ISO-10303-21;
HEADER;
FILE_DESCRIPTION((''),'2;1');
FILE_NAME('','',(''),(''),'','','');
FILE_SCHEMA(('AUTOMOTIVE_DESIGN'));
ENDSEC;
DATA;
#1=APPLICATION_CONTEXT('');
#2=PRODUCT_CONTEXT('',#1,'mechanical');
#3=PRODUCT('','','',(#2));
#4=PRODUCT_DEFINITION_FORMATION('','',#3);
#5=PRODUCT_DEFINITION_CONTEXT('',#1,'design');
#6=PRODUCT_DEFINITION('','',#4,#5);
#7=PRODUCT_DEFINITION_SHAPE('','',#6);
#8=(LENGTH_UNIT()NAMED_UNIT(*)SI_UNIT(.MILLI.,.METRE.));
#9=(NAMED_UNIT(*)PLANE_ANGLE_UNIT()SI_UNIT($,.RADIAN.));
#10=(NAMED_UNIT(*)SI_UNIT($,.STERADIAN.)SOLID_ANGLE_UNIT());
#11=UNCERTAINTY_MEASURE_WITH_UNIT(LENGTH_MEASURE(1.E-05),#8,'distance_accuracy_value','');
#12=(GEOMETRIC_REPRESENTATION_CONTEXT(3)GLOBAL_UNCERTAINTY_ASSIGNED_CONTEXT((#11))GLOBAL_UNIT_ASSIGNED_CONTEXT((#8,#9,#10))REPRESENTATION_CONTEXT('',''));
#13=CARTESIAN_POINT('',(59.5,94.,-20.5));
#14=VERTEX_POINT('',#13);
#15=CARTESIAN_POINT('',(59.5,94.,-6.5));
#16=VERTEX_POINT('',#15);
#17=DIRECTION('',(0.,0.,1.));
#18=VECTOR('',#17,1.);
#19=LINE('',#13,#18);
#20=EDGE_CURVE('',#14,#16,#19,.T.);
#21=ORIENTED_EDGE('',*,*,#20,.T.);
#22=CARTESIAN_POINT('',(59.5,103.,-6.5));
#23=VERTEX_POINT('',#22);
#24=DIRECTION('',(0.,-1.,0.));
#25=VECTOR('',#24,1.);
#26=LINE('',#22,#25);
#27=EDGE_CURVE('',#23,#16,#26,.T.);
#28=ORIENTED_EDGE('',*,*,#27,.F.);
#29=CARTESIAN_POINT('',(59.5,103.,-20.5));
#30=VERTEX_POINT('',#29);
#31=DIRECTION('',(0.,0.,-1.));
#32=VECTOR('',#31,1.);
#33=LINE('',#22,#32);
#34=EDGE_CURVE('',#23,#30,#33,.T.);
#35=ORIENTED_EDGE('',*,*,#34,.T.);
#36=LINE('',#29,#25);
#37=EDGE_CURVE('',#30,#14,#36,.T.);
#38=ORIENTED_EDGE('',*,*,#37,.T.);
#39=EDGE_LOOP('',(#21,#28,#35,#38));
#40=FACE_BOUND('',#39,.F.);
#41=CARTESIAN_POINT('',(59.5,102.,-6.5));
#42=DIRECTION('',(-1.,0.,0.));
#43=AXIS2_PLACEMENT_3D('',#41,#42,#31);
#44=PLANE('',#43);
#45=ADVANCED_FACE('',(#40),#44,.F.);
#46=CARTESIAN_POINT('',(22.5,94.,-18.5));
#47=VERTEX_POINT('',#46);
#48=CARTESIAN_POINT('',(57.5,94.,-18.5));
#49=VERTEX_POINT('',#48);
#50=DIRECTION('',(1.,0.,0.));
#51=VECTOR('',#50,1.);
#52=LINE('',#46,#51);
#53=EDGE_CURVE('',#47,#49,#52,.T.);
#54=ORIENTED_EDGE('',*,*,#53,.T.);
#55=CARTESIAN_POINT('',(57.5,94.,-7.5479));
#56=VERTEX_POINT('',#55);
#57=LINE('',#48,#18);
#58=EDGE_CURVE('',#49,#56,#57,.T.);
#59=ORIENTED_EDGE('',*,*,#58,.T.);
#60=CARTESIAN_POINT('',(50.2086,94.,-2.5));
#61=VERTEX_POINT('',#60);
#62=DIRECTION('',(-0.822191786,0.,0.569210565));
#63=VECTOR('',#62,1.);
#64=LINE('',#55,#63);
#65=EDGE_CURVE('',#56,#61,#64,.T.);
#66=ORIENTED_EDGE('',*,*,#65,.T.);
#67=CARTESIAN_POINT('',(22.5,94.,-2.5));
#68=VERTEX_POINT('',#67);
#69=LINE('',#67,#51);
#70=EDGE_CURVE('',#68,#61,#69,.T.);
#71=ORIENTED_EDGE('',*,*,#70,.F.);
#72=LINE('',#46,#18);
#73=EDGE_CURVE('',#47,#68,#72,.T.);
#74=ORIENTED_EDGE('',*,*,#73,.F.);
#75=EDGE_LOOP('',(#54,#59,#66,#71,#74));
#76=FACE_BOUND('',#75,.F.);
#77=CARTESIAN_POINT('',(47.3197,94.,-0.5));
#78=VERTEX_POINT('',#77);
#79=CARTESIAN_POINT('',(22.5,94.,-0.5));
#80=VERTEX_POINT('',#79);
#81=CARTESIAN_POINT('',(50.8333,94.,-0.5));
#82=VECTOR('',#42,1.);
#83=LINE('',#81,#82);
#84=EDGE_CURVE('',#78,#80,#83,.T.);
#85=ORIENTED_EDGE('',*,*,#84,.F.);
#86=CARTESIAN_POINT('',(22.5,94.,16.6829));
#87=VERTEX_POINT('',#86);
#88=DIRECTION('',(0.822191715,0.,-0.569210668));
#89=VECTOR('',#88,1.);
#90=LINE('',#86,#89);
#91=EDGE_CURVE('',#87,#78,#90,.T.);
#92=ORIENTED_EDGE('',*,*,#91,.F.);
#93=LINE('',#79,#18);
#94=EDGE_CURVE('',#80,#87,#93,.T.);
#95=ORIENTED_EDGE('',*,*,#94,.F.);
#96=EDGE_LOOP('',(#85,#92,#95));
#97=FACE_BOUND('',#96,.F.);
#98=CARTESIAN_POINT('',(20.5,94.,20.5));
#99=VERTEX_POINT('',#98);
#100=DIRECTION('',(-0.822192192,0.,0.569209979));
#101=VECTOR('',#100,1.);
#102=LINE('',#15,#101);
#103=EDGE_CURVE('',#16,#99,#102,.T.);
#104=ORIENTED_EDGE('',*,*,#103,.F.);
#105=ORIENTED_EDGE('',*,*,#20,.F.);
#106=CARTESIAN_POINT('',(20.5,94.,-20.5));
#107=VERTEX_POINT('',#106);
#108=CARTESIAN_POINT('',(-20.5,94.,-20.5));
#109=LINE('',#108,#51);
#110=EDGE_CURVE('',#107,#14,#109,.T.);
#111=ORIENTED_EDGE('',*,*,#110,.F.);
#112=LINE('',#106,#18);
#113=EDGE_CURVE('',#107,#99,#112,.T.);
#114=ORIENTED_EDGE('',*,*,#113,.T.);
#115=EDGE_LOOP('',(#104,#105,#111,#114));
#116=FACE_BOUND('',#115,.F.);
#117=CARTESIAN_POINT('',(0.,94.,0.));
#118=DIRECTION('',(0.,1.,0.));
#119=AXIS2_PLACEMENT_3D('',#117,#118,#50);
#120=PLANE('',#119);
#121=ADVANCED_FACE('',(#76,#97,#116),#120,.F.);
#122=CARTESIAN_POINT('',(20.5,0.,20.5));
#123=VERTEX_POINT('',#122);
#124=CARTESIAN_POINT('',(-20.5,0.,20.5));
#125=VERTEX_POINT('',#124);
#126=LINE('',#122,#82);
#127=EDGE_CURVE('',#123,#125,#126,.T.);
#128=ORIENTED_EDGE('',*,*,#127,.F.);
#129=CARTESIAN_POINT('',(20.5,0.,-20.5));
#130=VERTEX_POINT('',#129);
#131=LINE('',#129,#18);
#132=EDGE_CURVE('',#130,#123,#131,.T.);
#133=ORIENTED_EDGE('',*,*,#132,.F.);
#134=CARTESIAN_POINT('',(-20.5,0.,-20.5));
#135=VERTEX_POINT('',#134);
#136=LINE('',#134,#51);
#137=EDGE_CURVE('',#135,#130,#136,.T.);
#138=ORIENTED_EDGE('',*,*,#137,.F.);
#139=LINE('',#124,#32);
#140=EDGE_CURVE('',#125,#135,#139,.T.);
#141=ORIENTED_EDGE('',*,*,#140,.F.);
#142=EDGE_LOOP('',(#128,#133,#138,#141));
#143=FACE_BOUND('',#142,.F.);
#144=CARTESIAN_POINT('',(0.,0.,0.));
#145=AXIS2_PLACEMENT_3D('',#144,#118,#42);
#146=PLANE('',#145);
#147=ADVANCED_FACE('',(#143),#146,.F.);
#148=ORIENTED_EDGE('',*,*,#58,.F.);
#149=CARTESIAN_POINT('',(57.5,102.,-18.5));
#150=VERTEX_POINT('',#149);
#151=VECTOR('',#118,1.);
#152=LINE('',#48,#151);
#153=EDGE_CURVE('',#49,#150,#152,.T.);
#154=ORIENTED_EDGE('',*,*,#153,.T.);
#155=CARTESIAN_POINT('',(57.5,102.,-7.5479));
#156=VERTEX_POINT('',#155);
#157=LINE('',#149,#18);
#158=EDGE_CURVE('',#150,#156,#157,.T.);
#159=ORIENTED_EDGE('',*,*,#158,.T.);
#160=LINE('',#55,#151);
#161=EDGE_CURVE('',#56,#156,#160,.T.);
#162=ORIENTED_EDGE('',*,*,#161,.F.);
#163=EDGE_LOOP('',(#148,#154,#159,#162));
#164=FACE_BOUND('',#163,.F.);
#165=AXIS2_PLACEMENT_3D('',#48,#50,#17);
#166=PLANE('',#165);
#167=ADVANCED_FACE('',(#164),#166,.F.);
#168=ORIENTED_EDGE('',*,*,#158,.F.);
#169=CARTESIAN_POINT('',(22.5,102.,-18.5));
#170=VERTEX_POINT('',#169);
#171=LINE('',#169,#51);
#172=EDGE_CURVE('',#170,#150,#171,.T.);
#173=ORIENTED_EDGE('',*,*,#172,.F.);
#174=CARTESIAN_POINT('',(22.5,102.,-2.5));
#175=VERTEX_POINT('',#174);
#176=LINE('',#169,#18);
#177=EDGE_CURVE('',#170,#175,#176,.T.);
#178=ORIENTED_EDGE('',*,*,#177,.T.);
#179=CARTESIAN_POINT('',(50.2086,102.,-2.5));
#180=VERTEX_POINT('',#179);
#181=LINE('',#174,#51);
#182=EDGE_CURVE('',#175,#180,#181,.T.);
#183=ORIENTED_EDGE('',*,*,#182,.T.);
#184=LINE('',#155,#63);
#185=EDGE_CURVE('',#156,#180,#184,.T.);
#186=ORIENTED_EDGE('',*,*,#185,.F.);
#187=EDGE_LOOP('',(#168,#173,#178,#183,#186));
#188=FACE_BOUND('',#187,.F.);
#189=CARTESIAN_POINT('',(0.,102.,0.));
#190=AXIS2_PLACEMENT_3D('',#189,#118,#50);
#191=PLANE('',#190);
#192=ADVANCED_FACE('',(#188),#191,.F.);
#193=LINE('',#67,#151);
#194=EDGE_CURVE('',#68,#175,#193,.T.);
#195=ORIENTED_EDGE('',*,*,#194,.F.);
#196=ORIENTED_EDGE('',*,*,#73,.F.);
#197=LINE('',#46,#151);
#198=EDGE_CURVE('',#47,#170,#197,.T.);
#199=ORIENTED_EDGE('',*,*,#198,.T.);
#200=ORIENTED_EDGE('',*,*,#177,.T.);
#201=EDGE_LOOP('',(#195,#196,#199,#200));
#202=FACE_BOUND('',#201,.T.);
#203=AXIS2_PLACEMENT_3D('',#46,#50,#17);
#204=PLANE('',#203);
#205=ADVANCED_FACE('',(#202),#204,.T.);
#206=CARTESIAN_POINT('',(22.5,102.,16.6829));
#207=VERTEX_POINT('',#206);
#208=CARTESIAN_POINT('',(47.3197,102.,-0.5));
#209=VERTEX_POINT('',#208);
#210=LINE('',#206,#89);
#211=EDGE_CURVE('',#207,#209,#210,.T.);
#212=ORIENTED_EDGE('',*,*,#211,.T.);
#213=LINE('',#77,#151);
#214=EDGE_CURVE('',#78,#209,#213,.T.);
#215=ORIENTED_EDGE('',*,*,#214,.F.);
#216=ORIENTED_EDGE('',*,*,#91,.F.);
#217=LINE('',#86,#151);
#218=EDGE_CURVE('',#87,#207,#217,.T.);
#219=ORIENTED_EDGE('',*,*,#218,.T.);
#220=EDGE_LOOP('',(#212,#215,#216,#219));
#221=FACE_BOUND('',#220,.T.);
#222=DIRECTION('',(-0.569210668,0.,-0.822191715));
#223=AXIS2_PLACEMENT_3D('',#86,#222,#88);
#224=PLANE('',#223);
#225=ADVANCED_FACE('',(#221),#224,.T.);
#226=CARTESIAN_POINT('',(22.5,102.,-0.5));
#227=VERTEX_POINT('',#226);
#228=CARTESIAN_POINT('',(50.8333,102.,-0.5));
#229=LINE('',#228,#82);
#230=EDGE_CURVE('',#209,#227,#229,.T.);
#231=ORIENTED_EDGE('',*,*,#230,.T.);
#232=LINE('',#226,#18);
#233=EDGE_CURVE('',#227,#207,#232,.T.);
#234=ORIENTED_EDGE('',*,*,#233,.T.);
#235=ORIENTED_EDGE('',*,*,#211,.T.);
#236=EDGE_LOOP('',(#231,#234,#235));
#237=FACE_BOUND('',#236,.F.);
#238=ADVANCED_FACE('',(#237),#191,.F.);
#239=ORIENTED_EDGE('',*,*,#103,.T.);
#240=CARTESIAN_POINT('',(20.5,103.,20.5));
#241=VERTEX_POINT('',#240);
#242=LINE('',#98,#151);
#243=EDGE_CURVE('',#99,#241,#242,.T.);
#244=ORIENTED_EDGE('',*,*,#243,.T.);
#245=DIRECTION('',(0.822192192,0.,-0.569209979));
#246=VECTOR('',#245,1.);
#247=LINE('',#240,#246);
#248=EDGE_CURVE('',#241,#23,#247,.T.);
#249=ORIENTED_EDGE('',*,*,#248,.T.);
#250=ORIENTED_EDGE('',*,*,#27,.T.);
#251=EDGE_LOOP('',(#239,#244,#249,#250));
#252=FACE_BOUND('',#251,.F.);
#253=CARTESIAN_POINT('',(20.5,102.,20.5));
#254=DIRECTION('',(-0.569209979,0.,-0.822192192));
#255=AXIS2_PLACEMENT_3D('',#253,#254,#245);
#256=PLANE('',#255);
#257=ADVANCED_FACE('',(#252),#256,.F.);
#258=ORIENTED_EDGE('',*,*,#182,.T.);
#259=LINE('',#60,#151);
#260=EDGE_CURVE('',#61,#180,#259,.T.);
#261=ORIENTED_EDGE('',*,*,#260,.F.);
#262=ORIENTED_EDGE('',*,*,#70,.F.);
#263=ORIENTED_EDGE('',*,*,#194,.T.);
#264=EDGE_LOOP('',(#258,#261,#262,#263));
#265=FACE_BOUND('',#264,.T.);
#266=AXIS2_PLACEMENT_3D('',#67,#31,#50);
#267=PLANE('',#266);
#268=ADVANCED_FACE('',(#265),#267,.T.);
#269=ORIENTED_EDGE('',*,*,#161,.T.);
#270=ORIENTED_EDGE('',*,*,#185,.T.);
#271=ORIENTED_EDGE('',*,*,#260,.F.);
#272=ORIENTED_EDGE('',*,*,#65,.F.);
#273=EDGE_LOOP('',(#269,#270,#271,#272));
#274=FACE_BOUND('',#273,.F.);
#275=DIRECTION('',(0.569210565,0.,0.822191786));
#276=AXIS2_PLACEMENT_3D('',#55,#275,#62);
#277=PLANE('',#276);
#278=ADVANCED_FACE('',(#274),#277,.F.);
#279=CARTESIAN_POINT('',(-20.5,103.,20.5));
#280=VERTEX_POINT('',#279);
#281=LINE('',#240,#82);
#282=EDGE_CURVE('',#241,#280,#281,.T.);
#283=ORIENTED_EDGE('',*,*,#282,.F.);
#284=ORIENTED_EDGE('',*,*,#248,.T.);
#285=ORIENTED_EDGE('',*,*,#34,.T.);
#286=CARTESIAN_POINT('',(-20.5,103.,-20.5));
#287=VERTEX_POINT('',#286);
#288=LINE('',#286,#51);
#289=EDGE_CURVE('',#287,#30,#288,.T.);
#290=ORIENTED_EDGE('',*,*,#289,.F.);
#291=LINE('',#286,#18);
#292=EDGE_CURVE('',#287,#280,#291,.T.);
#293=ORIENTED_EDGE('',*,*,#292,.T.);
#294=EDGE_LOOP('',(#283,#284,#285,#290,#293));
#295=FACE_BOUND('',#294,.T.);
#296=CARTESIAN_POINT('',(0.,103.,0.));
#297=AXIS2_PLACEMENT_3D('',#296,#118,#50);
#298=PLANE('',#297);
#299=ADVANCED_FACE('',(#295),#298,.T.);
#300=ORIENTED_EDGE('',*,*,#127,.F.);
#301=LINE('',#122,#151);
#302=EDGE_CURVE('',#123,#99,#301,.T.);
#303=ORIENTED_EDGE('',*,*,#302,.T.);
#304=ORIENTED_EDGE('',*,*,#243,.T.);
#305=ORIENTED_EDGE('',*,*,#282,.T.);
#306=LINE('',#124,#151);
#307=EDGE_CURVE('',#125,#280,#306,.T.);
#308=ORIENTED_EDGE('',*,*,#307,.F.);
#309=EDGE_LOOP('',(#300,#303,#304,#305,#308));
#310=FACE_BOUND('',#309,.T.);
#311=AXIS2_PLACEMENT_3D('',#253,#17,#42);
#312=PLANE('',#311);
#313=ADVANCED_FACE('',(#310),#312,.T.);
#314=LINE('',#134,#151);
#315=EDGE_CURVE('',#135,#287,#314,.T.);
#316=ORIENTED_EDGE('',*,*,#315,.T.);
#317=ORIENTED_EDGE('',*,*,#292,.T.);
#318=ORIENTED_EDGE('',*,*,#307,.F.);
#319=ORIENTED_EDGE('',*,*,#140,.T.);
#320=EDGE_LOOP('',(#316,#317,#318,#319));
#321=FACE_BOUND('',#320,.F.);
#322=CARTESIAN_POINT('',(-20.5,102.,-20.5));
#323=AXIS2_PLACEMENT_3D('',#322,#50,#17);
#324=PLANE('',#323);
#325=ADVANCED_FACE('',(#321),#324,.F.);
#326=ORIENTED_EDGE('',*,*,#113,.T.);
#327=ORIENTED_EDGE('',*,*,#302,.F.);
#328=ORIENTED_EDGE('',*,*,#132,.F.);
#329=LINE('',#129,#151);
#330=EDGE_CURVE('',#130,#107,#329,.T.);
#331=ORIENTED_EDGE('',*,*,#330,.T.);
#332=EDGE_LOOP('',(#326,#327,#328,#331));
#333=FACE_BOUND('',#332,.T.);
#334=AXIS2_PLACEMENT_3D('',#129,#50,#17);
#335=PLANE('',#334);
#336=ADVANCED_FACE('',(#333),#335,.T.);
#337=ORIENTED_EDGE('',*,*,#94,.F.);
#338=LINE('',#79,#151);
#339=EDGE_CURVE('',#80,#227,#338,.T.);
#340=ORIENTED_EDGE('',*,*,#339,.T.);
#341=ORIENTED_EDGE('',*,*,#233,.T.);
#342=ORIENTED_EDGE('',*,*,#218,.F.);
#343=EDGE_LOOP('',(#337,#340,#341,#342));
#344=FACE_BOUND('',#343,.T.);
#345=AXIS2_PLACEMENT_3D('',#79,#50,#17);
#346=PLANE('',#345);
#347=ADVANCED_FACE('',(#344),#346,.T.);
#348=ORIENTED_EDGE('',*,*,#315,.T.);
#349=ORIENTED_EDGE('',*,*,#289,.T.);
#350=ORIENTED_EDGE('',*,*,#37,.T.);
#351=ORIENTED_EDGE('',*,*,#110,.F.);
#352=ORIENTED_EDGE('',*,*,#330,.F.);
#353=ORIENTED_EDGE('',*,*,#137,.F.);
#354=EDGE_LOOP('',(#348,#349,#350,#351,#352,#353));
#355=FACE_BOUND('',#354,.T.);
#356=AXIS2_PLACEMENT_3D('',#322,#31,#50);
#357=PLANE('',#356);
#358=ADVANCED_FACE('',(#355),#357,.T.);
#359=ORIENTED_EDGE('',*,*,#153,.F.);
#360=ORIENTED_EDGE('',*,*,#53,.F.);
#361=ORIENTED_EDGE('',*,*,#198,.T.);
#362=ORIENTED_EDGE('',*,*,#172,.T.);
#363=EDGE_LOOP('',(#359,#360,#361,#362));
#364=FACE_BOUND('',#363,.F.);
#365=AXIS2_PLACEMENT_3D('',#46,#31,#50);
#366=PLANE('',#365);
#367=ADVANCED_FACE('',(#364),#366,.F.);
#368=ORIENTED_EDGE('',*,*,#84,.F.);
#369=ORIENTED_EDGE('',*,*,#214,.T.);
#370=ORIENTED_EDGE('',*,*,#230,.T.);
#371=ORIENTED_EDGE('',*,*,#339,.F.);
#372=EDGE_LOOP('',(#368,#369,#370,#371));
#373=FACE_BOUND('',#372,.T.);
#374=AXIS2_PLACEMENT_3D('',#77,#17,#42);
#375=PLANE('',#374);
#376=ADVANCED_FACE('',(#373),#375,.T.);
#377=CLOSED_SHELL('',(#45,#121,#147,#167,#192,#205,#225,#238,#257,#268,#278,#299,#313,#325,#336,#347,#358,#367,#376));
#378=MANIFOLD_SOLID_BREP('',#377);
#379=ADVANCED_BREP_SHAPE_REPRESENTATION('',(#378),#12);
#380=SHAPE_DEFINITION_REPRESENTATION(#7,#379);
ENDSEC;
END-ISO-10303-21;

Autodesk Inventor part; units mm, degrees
ref_plane "YZ Plane" through (0, 0, 0) normal (1, 0, 0) x (0, 1, 0)
ref_plane "XZ Plane" through (0, 0, 0) normal (0, 1, 0) x (-1, 0, 0)
ref_plane "XY Plane" through (0, 0, 0) normal (0, 0, 1) x (1, 0, 0)
sketch "Boceto1" plane through (0, 0, 0) normal (0, 1, 0) x (-1, 0, 0)
  line L0 (20.5, -20.5) -> (-20.5, -20.5)
  line L1 (-20.5, -20.5) -> (-20.5, 20.5)
  line L2 (-20.5, 20.5) -> (20.5, 20.5)
  line L3 (20.5, 20.5) -> (20.5, -20.5)
  point P0 (0, 0)
  point P1 (0, -20.5)
  point P2 (-20.5, 0)
  dimension "d0" = 41
  dimension "d1" = 41
extrude "Extrusión1" add sketch "Boceto1" along normal blind 94
sketch "Boceto2" plane through (0, 94, 0) normal (0, 1, 0) x (1, 0, 0)
  line L0 (20.5, 20.5) -> (-20.5, 20.5) projected
  line L1 (-20.5, 20.5) -> (59.5, 20.5)
  line L2 (59.5, 20.5) -> (59.5, 6.5)
  line L3 (-20.5, -20.5) -> (20.5, -20.5) projected
  line L4 (59.5, 6.5) -> (20.5, -20.5)
  line L5 (20.5, -20.5) -> (20.5, 20.5) projected
  line L6 (50.8333, 0.5) -> (20.5, 0.5)
  line L7 (22.5, 18.5) -> (57.5, 18.5)
  line L8 (57.5, 18.5) -> (57.5, 7.5479)
  line L9 (57.5, 7.5479) -> (50.2086, 2.5)
  line L10 (22.5, 18.5) -> (22.5, 2.5)
  line L11 (22.5, 2.5) -> (50.2086, 2.5)
  line L12 (22.5, 0.5) -> (22.5, -16.6829)
  line L13 (22.5, -16.6829) -> (47.3197, 0.5)
  point P0 (0, 0)
  point P1 (36.3543, 2.5)
  dimension "d4" = 80
  dimension "d5" = 14
  dimension "d9" = 2
  dimension "d10" = 2
  dimension "d11" = 2
  dimension "d12" = 2
  dimension "d13" = 2
  dimension "d20" = 5.0479
extrude "Extrusión2" add sketch "Boceto2" along normal blind 8 contours L1 L2 L4 L6 L5 | L6 L12 L13 L4 L5
sketch "Boceto3" plane through (0, 94, 0) normal (0, 1, 0) x (1, 0, 0)
  line L0 (-20.5, 20.5) -> (-20.5, -20.5) projected
  line L1 (20.5, -20.5) -> (59.5, 6.5) projected
  line L2 (-20.5, 20.5) -> (20.5, 20.5)
  line L3 (20.5, 20.5) -> (20.5, -20.5)
  line L4 (20.5, -20.5) -> (-20.5, -20.5)
  line L5 (-20.5, -20.5) -> (-20.5, 20.5)
  point P0 (0, 0)
extrude "Extrusión3" add sketch "Boceto3" along normal blind 8
sketch "Boceto4" plane through (0, 102, 0) normal (0, 1, 0) x (1, 0, 0)
  point P0 (0, 0)
sketch "Boceto6" plane through (0, 102, 0) normal (0, 1, 0) x (1, 0, 0)
  line L0 (-20.5, 20.5) -> (-20.5, -20.5) projected
  line L1 (59.5, 6.5) -> (59.5, 20.5) projected
  line L2 (-20.5, 20.5) -> (59.5, 20.5)
  line L3 (59.5, 20.5) -> (59.5, 6.5)
  line L4 (20.5, -20.5) -> (59.5, 6.5) projected
  line L5 (59.5, 6.5) -> (20.5, -20.5)
  line L6 (20.5, -20.5) -> (-20.5, -20.5)
  line L7 (-20.5, -20.5) -> (-20.5, 20.5)
  point P0 (0, 0)
extrude "Extrusión5" add sketch "Boceto6" along normal blind 1
properties part number "Pata1"
